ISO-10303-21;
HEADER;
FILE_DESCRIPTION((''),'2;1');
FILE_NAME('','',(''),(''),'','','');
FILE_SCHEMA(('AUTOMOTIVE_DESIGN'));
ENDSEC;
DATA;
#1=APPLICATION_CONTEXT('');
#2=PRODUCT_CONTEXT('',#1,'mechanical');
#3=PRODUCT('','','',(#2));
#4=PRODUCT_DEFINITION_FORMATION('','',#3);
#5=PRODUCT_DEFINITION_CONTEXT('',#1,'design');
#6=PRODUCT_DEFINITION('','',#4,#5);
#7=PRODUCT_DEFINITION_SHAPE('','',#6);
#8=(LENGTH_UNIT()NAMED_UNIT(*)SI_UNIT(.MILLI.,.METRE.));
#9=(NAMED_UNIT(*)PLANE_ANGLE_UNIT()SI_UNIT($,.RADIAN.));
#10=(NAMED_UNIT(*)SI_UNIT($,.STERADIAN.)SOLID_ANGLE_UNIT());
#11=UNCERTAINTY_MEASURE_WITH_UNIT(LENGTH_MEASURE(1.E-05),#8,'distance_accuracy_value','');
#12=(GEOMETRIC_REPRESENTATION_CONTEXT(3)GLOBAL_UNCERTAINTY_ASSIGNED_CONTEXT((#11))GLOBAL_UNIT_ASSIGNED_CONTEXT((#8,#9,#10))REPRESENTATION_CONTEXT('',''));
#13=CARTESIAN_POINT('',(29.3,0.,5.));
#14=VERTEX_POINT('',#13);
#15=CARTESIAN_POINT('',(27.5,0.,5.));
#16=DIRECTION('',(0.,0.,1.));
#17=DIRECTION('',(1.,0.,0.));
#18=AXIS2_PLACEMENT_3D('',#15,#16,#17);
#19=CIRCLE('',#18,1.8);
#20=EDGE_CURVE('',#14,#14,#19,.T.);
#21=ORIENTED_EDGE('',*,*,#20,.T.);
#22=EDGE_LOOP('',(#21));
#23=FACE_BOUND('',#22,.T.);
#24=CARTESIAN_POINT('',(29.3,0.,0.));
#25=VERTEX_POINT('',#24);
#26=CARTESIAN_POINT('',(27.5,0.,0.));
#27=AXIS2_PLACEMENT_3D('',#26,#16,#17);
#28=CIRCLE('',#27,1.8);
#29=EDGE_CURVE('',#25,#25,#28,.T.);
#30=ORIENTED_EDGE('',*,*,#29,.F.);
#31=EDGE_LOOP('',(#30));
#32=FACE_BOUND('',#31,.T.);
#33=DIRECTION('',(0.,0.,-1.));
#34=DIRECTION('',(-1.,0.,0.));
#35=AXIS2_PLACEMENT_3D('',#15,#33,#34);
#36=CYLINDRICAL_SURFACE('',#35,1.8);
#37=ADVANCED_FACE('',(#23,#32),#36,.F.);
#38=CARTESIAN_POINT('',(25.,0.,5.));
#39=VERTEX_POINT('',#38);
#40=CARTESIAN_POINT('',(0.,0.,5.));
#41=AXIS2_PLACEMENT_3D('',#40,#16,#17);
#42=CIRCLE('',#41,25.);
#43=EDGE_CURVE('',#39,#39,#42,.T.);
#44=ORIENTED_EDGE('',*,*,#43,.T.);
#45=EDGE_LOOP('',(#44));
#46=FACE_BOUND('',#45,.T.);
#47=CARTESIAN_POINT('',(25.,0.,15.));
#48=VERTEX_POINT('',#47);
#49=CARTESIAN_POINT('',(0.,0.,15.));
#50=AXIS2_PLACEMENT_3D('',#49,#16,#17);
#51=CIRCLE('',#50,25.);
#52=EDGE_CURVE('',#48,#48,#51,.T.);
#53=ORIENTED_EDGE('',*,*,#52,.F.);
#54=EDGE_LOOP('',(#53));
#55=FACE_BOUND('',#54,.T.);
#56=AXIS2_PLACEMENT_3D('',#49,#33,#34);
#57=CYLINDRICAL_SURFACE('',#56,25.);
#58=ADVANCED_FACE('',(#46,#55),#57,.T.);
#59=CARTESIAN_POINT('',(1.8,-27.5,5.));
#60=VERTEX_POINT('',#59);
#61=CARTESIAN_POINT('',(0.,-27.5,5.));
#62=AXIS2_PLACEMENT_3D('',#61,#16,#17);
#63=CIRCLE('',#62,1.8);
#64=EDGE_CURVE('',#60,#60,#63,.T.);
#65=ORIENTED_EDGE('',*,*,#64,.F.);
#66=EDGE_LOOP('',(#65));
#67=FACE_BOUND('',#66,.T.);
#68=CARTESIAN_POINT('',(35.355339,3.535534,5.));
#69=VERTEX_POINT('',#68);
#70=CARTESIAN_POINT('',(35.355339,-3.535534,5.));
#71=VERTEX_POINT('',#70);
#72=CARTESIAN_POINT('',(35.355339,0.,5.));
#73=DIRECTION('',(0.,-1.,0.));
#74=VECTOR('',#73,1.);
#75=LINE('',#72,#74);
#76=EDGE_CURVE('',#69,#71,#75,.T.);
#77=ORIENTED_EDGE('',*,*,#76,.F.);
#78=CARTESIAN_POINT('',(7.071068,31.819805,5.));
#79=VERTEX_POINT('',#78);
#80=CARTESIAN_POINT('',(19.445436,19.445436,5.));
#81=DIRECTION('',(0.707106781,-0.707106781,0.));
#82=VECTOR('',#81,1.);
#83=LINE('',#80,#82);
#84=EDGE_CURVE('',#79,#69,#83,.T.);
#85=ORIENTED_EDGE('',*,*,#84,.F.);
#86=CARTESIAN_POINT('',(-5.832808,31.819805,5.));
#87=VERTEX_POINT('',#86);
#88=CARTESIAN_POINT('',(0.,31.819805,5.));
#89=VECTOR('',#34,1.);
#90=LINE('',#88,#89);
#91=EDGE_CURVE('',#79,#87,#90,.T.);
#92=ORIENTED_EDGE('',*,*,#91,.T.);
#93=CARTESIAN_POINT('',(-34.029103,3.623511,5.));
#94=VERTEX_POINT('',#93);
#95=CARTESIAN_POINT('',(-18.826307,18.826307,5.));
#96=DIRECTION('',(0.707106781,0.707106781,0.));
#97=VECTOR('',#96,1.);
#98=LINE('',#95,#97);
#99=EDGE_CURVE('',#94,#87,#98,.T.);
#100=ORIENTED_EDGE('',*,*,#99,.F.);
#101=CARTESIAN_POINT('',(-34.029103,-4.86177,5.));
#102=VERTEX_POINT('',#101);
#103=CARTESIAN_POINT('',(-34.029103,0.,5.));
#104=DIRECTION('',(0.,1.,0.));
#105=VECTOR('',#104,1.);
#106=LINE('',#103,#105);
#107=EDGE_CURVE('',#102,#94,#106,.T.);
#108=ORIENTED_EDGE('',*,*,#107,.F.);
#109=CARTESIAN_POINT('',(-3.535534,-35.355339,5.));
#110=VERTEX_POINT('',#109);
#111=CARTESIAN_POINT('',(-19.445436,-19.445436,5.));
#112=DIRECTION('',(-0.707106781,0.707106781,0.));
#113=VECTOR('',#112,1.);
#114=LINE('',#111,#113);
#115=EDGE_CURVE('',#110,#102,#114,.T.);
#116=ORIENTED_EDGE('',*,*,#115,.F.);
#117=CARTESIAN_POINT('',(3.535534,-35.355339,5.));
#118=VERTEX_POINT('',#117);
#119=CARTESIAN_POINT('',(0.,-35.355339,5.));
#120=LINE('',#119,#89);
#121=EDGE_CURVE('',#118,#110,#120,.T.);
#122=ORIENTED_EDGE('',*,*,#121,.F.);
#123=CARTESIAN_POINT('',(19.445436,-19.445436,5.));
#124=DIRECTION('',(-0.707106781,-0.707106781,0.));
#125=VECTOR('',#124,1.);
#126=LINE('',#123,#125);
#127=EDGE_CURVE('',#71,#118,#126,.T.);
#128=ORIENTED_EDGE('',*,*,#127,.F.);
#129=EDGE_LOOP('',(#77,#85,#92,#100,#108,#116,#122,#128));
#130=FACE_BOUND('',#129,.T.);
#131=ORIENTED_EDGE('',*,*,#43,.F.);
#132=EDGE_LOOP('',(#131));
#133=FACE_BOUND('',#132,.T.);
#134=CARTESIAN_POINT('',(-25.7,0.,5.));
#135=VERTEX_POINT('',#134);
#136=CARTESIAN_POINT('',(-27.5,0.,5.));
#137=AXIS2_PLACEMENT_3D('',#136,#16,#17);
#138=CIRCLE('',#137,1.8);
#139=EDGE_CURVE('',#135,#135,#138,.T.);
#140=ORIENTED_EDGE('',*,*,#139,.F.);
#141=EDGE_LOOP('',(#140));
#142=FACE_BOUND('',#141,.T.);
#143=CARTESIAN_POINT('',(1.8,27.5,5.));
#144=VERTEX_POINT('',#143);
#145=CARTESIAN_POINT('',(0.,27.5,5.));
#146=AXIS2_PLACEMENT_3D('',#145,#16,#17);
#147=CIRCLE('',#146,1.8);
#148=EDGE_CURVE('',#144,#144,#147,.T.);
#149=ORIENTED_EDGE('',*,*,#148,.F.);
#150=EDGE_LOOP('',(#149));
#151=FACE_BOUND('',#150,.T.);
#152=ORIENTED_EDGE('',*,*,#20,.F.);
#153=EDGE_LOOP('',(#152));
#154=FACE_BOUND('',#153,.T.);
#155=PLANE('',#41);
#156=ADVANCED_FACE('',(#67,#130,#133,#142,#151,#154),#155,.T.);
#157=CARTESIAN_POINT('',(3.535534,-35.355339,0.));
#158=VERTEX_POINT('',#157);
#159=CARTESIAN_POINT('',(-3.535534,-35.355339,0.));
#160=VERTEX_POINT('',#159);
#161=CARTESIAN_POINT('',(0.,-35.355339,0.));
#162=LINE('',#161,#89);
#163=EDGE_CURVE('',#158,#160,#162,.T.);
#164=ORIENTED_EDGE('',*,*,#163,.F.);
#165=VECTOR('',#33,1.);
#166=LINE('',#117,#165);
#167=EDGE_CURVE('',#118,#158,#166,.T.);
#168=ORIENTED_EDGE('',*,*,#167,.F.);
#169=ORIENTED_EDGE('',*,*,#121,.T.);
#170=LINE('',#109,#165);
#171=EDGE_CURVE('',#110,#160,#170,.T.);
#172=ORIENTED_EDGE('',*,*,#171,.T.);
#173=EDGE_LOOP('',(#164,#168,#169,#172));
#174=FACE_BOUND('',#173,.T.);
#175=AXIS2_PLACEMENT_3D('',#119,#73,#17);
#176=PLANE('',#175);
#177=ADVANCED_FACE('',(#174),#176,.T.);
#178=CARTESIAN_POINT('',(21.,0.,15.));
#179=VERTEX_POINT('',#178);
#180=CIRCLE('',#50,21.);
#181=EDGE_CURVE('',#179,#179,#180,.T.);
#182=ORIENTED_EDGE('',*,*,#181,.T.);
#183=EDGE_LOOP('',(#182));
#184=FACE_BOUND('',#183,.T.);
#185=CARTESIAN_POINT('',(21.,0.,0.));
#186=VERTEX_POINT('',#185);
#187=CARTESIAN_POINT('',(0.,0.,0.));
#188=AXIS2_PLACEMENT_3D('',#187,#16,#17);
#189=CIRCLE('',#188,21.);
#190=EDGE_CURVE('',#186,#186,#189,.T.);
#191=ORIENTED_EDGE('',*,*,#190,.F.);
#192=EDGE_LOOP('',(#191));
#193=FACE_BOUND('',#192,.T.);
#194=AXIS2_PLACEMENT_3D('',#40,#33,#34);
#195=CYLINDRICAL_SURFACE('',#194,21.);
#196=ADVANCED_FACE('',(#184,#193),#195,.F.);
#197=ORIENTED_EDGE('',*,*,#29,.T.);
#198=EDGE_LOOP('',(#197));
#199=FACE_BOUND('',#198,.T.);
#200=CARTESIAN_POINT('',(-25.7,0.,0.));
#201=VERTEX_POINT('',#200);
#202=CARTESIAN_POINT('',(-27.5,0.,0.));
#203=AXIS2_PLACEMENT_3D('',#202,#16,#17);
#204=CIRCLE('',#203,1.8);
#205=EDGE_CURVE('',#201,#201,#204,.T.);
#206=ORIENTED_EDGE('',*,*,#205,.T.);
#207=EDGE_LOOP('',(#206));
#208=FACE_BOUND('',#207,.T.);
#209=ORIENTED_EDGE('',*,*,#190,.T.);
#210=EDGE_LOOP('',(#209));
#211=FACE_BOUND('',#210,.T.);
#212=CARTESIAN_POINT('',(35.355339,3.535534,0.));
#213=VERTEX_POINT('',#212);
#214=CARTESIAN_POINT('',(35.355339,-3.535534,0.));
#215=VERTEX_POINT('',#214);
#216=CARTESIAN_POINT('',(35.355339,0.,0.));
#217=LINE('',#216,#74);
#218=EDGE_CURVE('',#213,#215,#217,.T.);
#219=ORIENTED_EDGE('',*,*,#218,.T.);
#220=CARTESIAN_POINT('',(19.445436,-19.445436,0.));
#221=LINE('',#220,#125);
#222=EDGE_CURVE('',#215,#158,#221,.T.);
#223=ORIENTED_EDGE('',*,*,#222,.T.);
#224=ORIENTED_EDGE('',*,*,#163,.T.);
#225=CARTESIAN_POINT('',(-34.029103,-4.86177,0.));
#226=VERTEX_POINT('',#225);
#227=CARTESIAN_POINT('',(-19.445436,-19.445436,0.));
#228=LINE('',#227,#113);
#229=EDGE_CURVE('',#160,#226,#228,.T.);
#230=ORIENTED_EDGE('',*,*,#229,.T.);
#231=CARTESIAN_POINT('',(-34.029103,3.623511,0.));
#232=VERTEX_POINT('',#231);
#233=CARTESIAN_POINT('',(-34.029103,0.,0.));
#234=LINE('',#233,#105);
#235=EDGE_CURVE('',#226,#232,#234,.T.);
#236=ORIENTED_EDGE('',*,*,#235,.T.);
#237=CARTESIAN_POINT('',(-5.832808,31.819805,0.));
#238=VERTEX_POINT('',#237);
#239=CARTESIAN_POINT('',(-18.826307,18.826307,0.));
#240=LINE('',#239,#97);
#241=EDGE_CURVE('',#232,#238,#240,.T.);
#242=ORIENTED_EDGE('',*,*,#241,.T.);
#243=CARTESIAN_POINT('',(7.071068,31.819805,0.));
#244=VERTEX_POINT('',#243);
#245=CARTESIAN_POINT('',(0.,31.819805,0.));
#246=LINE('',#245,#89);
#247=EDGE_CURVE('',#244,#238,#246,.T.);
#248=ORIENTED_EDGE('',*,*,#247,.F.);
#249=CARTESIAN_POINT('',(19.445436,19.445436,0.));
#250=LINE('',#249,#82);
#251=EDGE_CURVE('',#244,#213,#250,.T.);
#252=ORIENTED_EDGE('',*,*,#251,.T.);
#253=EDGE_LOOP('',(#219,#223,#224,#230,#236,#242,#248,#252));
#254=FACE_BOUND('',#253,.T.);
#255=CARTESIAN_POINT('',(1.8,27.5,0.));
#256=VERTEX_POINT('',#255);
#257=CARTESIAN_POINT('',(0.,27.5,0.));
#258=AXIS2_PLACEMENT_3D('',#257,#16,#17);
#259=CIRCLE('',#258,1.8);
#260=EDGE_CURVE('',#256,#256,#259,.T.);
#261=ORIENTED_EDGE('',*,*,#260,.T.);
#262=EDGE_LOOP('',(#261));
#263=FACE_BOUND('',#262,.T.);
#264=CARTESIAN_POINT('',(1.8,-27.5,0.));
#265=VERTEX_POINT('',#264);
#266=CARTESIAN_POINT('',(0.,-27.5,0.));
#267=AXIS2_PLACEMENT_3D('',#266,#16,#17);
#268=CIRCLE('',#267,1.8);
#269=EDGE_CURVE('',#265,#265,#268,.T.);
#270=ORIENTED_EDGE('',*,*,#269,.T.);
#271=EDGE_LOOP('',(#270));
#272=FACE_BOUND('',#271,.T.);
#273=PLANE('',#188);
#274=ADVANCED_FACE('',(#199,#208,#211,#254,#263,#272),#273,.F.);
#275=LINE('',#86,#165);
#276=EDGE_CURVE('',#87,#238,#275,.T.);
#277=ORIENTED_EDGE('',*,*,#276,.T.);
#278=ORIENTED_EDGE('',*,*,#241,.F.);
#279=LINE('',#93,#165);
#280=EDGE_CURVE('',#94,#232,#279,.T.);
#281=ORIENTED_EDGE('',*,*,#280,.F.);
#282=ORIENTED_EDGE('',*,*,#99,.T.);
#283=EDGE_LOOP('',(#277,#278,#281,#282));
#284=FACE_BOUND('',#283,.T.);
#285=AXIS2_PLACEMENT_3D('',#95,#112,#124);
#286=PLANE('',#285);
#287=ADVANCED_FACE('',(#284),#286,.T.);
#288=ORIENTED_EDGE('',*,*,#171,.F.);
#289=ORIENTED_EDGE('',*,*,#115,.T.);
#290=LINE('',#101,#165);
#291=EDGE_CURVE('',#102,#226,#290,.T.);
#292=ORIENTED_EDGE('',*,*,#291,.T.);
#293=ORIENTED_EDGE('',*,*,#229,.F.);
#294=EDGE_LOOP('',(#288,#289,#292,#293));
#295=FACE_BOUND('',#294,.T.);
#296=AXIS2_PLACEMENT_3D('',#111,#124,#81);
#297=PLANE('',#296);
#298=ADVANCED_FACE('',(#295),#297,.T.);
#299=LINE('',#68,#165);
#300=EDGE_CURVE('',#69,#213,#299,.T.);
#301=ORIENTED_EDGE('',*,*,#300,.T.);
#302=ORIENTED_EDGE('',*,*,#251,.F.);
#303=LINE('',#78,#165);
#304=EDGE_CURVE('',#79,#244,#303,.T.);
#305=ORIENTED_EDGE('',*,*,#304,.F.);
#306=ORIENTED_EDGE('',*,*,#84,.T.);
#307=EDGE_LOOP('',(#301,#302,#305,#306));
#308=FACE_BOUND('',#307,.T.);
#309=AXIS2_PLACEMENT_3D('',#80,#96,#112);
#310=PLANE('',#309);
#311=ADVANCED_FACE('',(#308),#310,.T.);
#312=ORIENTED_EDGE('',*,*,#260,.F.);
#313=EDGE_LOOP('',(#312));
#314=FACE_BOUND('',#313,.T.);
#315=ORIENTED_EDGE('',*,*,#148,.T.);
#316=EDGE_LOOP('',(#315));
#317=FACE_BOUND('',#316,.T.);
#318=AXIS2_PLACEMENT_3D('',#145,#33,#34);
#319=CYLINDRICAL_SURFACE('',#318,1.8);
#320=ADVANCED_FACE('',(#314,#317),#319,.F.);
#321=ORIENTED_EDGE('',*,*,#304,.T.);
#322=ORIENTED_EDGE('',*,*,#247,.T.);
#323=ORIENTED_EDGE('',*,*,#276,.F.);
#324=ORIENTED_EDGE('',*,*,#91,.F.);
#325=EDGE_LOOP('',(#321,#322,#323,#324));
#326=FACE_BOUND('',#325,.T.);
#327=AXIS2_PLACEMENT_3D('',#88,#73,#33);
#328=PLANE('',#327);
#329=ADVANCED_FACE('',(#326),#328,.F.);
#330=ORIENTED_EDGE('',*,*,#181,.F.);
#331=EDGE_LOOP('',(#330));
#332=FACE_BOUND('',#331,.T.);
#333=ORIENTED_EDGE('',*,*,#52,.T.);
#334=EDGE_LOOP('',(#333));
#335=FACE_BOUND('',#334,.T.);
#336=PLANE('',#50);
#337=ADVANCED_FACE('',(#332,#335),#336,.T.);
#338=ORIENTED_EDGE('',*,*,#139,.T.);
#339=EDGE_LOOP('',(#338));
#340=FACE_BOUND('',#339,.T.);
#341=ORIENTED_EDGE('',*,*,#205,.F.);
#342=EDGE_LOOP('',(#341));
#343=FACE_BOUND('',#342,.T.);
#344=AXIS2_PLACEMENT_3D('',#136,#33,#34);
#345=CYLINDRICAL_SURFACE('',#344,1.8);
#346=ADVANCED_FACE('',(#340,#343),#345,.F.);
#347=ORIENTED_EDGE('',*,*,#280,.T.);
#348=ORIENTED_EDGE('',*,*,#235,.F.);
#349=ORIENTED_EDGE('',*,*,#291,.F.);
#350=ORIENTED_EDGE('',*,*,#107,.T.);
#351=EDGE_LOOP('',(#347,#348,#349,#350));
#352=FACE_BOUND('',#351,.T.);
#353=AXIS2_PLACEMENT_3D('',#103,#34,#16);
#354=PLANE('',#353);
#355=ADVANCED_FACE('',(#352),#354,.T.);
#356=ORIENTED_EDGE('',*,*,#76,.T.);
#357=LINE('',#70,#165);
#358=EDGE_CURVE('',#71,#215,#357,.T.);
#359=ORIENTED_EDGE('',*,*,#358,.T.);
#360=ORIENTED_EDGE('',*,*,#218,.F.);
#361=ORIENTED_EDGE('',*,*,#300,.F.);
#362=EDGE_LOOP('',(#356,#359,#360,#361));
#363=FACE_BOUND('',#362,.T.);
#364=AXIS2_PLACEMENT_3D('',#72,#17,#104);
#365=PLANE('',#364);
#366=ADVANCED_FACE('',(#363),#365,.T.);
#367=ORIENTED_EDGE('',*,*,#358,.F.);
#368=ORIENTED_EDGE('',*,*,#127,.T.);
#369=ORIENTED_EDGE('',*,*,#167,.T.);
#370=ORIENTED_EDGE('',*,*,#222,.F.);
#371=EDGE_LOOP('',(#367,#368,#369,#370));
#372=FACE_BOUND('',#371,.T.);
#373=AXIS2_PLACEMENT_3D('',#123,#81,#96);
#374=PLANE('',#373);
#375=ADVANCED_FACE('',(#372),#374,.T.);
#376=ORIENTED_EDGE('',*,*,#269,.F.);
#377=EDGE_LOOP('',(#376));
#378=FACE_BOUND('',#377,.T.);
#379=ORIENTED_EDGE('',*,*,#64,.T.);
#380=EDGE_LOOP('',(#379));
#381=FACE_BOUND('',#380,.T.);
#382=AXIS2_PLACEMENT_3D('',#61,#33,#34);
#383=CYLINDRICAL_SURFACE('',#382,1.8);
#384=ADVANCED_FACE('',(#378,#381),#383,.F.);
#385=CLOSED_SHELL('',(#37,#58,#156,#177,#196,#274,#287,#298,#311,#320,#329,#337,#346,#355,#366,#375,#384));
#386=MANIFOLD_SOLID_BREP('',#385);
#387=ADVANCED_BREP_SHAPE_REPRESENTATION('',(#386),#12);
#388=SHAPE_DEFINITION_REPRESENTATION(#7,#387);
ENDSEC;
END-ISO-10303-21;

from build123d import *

# Parameters (mm, degrees)
SKETCH1_R           = 1.8
SKETCH1_R_2         = 21
BOSS_EXTRUDE1_DEPTH = 5
SKETCH2_R           = 25
SKETCH2_R_2         = 21
BOSS_EXTRUDE2_DEPTH = 10


with BuildPart() as part:
    # Sketch1 → Boss-Extrude1 (new body)
    with BuildSketch(Plane.XY):
        Polygon((-3.535533906, -35.355339059), (-34.029102601, -4.861770365), (-34.029102601, 3.62351101), (-5.832808457, 31.819805153), (7.071067812, 31.819805153), (35.355339059, 3.535533906), (35.355339059, -3.535533906), (3.535533906, -35.355339059), align=None)
        with Locations((27.5, 0)):
            Circle(SKETCH1_R, mode=Mode.SUBTRACT)
        with Locations((0, -27.5)):
            Circle(SKETCH1_R, mode=Mode.SUBTRACT)
        with Locations((0, 27.5)):
            Circle(SKETCH1_R, mode=Mode.SUBTRACT)
        Circle(SKETCH1_R_2, mode=Mode.SUBTRACT)
        with Locations((-27.5, 0)):
            Circle(SKETCH1_R, mode=Mode.SUBTRACT)
    extrude(amount=BOSS_EXTRUDE1_DEPTH)

    # Sketch2 → Boss-Extrude2 (add)
    with BuildSketch(Plane.XY.offset(5)):
        Circle(SKETCH2_R)
        Circle(SKETCH2_R_2, mode=Mode.SUBTRACT)
    extrude(amount=BOSS_EXTRUDE2_DEPTH)


solid = part.part
